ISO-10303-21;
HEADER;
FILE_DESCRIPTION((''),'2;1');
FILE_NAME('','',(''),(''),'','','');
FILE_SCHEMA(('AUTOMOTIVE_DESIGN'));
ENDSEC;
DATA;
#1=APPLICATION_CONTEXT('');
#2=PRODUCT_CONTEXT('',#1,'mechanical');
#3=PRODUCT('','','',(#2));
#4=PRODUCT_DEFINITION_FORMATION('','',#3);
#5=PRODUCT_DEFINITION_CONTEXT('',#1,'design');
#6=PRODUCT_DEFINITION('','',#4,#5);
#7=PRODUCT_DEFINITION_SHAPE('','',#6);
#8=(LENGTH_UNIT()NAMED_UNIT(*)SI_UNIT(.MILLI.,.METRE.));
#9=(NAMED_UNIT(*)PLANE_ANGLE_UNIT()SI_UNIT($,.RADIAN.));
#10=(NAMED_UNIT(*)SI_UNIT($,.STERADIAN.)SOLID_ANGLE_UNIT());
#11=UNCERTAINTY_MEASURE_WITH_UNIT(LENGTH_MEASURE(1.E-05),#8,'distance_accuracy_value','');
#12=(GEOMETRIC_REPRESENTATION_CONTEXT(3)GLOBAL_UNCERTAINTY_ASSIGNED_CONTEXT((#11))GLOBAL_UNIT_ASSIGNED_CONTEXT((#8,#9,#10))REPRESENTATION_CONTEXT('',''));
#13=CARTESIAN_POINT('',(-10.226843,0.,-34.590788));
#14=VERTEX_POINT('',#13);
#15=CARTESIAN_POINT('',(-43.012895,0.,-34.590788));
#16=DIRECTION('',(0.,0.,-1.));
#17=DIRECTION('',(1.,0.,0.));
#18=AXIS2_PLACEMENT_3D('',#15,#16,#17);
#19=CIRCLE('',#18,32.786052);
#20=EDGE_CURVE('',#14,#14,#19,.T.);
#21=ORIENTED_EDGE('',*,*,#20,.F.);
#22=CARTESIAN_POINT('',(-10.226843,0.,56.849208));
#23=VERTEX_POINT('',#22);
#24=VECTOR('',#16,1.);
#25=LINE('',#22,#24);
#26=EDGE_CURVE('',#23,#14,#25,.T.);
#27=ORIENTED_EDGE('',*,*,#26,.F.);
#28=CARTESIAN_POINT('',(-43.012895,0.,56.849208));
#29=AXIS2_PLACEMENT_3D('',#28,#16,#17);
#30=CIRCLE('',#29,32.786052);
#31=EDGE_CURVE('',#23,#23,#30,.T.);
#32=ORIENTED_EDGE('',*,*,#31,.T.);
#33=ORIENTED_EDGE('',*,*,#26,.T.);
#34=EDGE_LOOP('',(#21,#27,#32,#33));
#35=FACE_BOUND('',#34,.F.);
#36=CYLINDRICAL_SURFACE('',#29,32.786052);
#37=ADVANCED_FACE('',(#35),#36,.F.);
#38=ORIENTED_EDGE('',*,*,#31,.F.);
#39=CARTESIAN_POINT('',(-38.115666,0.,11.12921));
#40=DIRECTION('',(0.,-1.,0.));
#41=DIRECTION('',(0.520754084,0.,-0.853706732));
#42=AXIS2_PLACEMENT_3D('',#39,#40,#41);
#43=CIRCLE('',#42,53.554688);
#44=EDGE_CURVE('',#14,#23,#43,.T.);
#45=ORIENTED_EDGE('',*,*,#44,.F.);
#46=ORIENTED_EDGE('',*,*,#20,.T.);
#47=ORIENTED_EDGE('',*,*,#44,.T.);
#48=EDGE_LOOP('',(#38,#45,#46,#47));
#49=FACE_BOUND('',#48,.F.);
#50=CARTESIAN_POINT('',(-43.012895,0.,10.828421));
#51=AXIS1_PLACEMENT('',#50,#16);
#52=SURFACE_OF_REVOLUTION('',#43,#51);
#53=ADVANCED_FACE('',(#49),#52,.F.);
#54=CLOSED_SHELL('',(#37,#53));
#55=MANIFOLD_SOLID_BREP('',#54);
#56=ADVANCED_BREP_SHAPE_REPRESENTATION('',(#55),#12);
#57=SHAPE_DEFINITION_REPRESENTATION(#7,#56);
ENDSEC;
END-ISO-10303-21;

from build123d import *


with BuildPart() as f1:
    # F0 (on Top) → F1 (revolve)
    with BuildSketch(Plane.XY):
        with BuildLine():
            ThreePointArc((-13.5355256498, -35.7939489186), (33.9644506091, 10.226842016), (-13.5355256498, 56.2476329505))
            Line((-13.5355256498, 56.2476329505), (-13.5355256498, -35.7939489186))
        make_face()
    revolve(axis=Axis((-39.7042110562, 9.9260546267, 0), (0, -1, 0)))

    # F2: F1 across plane


with BuildPart() as f1_1:
    add(f1.part)
    add(f1.part.mirror(Plane.YZ))


with BuildPart() as f5:
    # F4 (on Front) → F5 (revolve)
    with BuildSketch(Plane.XZ):
        with BuildLine():
            ThreePointArc((-10.2268429473, -34.5907881856), (15.4390227312, 11.1292097718), (-10.2268429473, 56.8492077291))
            Line((-10.2268429473, 56.8492077291), (-10.2268429473, -34.5907881856))
        make_face()
    revolve(axis=Axis((-43.01289469, 0, 10.8284205198), (0, 0, -1)))

    # F6: F5 across plane


with BuildPart() as f5_1:
    add(f5.part)
    add(f5.part.mirror(Plane.XZ))

    # F7: F5 across plane


with BuildPart() as f5_2:
    add(f5_1.part)
    add(f5_1.part.mirror(Plane.XZ))


solid = f5_2.part
